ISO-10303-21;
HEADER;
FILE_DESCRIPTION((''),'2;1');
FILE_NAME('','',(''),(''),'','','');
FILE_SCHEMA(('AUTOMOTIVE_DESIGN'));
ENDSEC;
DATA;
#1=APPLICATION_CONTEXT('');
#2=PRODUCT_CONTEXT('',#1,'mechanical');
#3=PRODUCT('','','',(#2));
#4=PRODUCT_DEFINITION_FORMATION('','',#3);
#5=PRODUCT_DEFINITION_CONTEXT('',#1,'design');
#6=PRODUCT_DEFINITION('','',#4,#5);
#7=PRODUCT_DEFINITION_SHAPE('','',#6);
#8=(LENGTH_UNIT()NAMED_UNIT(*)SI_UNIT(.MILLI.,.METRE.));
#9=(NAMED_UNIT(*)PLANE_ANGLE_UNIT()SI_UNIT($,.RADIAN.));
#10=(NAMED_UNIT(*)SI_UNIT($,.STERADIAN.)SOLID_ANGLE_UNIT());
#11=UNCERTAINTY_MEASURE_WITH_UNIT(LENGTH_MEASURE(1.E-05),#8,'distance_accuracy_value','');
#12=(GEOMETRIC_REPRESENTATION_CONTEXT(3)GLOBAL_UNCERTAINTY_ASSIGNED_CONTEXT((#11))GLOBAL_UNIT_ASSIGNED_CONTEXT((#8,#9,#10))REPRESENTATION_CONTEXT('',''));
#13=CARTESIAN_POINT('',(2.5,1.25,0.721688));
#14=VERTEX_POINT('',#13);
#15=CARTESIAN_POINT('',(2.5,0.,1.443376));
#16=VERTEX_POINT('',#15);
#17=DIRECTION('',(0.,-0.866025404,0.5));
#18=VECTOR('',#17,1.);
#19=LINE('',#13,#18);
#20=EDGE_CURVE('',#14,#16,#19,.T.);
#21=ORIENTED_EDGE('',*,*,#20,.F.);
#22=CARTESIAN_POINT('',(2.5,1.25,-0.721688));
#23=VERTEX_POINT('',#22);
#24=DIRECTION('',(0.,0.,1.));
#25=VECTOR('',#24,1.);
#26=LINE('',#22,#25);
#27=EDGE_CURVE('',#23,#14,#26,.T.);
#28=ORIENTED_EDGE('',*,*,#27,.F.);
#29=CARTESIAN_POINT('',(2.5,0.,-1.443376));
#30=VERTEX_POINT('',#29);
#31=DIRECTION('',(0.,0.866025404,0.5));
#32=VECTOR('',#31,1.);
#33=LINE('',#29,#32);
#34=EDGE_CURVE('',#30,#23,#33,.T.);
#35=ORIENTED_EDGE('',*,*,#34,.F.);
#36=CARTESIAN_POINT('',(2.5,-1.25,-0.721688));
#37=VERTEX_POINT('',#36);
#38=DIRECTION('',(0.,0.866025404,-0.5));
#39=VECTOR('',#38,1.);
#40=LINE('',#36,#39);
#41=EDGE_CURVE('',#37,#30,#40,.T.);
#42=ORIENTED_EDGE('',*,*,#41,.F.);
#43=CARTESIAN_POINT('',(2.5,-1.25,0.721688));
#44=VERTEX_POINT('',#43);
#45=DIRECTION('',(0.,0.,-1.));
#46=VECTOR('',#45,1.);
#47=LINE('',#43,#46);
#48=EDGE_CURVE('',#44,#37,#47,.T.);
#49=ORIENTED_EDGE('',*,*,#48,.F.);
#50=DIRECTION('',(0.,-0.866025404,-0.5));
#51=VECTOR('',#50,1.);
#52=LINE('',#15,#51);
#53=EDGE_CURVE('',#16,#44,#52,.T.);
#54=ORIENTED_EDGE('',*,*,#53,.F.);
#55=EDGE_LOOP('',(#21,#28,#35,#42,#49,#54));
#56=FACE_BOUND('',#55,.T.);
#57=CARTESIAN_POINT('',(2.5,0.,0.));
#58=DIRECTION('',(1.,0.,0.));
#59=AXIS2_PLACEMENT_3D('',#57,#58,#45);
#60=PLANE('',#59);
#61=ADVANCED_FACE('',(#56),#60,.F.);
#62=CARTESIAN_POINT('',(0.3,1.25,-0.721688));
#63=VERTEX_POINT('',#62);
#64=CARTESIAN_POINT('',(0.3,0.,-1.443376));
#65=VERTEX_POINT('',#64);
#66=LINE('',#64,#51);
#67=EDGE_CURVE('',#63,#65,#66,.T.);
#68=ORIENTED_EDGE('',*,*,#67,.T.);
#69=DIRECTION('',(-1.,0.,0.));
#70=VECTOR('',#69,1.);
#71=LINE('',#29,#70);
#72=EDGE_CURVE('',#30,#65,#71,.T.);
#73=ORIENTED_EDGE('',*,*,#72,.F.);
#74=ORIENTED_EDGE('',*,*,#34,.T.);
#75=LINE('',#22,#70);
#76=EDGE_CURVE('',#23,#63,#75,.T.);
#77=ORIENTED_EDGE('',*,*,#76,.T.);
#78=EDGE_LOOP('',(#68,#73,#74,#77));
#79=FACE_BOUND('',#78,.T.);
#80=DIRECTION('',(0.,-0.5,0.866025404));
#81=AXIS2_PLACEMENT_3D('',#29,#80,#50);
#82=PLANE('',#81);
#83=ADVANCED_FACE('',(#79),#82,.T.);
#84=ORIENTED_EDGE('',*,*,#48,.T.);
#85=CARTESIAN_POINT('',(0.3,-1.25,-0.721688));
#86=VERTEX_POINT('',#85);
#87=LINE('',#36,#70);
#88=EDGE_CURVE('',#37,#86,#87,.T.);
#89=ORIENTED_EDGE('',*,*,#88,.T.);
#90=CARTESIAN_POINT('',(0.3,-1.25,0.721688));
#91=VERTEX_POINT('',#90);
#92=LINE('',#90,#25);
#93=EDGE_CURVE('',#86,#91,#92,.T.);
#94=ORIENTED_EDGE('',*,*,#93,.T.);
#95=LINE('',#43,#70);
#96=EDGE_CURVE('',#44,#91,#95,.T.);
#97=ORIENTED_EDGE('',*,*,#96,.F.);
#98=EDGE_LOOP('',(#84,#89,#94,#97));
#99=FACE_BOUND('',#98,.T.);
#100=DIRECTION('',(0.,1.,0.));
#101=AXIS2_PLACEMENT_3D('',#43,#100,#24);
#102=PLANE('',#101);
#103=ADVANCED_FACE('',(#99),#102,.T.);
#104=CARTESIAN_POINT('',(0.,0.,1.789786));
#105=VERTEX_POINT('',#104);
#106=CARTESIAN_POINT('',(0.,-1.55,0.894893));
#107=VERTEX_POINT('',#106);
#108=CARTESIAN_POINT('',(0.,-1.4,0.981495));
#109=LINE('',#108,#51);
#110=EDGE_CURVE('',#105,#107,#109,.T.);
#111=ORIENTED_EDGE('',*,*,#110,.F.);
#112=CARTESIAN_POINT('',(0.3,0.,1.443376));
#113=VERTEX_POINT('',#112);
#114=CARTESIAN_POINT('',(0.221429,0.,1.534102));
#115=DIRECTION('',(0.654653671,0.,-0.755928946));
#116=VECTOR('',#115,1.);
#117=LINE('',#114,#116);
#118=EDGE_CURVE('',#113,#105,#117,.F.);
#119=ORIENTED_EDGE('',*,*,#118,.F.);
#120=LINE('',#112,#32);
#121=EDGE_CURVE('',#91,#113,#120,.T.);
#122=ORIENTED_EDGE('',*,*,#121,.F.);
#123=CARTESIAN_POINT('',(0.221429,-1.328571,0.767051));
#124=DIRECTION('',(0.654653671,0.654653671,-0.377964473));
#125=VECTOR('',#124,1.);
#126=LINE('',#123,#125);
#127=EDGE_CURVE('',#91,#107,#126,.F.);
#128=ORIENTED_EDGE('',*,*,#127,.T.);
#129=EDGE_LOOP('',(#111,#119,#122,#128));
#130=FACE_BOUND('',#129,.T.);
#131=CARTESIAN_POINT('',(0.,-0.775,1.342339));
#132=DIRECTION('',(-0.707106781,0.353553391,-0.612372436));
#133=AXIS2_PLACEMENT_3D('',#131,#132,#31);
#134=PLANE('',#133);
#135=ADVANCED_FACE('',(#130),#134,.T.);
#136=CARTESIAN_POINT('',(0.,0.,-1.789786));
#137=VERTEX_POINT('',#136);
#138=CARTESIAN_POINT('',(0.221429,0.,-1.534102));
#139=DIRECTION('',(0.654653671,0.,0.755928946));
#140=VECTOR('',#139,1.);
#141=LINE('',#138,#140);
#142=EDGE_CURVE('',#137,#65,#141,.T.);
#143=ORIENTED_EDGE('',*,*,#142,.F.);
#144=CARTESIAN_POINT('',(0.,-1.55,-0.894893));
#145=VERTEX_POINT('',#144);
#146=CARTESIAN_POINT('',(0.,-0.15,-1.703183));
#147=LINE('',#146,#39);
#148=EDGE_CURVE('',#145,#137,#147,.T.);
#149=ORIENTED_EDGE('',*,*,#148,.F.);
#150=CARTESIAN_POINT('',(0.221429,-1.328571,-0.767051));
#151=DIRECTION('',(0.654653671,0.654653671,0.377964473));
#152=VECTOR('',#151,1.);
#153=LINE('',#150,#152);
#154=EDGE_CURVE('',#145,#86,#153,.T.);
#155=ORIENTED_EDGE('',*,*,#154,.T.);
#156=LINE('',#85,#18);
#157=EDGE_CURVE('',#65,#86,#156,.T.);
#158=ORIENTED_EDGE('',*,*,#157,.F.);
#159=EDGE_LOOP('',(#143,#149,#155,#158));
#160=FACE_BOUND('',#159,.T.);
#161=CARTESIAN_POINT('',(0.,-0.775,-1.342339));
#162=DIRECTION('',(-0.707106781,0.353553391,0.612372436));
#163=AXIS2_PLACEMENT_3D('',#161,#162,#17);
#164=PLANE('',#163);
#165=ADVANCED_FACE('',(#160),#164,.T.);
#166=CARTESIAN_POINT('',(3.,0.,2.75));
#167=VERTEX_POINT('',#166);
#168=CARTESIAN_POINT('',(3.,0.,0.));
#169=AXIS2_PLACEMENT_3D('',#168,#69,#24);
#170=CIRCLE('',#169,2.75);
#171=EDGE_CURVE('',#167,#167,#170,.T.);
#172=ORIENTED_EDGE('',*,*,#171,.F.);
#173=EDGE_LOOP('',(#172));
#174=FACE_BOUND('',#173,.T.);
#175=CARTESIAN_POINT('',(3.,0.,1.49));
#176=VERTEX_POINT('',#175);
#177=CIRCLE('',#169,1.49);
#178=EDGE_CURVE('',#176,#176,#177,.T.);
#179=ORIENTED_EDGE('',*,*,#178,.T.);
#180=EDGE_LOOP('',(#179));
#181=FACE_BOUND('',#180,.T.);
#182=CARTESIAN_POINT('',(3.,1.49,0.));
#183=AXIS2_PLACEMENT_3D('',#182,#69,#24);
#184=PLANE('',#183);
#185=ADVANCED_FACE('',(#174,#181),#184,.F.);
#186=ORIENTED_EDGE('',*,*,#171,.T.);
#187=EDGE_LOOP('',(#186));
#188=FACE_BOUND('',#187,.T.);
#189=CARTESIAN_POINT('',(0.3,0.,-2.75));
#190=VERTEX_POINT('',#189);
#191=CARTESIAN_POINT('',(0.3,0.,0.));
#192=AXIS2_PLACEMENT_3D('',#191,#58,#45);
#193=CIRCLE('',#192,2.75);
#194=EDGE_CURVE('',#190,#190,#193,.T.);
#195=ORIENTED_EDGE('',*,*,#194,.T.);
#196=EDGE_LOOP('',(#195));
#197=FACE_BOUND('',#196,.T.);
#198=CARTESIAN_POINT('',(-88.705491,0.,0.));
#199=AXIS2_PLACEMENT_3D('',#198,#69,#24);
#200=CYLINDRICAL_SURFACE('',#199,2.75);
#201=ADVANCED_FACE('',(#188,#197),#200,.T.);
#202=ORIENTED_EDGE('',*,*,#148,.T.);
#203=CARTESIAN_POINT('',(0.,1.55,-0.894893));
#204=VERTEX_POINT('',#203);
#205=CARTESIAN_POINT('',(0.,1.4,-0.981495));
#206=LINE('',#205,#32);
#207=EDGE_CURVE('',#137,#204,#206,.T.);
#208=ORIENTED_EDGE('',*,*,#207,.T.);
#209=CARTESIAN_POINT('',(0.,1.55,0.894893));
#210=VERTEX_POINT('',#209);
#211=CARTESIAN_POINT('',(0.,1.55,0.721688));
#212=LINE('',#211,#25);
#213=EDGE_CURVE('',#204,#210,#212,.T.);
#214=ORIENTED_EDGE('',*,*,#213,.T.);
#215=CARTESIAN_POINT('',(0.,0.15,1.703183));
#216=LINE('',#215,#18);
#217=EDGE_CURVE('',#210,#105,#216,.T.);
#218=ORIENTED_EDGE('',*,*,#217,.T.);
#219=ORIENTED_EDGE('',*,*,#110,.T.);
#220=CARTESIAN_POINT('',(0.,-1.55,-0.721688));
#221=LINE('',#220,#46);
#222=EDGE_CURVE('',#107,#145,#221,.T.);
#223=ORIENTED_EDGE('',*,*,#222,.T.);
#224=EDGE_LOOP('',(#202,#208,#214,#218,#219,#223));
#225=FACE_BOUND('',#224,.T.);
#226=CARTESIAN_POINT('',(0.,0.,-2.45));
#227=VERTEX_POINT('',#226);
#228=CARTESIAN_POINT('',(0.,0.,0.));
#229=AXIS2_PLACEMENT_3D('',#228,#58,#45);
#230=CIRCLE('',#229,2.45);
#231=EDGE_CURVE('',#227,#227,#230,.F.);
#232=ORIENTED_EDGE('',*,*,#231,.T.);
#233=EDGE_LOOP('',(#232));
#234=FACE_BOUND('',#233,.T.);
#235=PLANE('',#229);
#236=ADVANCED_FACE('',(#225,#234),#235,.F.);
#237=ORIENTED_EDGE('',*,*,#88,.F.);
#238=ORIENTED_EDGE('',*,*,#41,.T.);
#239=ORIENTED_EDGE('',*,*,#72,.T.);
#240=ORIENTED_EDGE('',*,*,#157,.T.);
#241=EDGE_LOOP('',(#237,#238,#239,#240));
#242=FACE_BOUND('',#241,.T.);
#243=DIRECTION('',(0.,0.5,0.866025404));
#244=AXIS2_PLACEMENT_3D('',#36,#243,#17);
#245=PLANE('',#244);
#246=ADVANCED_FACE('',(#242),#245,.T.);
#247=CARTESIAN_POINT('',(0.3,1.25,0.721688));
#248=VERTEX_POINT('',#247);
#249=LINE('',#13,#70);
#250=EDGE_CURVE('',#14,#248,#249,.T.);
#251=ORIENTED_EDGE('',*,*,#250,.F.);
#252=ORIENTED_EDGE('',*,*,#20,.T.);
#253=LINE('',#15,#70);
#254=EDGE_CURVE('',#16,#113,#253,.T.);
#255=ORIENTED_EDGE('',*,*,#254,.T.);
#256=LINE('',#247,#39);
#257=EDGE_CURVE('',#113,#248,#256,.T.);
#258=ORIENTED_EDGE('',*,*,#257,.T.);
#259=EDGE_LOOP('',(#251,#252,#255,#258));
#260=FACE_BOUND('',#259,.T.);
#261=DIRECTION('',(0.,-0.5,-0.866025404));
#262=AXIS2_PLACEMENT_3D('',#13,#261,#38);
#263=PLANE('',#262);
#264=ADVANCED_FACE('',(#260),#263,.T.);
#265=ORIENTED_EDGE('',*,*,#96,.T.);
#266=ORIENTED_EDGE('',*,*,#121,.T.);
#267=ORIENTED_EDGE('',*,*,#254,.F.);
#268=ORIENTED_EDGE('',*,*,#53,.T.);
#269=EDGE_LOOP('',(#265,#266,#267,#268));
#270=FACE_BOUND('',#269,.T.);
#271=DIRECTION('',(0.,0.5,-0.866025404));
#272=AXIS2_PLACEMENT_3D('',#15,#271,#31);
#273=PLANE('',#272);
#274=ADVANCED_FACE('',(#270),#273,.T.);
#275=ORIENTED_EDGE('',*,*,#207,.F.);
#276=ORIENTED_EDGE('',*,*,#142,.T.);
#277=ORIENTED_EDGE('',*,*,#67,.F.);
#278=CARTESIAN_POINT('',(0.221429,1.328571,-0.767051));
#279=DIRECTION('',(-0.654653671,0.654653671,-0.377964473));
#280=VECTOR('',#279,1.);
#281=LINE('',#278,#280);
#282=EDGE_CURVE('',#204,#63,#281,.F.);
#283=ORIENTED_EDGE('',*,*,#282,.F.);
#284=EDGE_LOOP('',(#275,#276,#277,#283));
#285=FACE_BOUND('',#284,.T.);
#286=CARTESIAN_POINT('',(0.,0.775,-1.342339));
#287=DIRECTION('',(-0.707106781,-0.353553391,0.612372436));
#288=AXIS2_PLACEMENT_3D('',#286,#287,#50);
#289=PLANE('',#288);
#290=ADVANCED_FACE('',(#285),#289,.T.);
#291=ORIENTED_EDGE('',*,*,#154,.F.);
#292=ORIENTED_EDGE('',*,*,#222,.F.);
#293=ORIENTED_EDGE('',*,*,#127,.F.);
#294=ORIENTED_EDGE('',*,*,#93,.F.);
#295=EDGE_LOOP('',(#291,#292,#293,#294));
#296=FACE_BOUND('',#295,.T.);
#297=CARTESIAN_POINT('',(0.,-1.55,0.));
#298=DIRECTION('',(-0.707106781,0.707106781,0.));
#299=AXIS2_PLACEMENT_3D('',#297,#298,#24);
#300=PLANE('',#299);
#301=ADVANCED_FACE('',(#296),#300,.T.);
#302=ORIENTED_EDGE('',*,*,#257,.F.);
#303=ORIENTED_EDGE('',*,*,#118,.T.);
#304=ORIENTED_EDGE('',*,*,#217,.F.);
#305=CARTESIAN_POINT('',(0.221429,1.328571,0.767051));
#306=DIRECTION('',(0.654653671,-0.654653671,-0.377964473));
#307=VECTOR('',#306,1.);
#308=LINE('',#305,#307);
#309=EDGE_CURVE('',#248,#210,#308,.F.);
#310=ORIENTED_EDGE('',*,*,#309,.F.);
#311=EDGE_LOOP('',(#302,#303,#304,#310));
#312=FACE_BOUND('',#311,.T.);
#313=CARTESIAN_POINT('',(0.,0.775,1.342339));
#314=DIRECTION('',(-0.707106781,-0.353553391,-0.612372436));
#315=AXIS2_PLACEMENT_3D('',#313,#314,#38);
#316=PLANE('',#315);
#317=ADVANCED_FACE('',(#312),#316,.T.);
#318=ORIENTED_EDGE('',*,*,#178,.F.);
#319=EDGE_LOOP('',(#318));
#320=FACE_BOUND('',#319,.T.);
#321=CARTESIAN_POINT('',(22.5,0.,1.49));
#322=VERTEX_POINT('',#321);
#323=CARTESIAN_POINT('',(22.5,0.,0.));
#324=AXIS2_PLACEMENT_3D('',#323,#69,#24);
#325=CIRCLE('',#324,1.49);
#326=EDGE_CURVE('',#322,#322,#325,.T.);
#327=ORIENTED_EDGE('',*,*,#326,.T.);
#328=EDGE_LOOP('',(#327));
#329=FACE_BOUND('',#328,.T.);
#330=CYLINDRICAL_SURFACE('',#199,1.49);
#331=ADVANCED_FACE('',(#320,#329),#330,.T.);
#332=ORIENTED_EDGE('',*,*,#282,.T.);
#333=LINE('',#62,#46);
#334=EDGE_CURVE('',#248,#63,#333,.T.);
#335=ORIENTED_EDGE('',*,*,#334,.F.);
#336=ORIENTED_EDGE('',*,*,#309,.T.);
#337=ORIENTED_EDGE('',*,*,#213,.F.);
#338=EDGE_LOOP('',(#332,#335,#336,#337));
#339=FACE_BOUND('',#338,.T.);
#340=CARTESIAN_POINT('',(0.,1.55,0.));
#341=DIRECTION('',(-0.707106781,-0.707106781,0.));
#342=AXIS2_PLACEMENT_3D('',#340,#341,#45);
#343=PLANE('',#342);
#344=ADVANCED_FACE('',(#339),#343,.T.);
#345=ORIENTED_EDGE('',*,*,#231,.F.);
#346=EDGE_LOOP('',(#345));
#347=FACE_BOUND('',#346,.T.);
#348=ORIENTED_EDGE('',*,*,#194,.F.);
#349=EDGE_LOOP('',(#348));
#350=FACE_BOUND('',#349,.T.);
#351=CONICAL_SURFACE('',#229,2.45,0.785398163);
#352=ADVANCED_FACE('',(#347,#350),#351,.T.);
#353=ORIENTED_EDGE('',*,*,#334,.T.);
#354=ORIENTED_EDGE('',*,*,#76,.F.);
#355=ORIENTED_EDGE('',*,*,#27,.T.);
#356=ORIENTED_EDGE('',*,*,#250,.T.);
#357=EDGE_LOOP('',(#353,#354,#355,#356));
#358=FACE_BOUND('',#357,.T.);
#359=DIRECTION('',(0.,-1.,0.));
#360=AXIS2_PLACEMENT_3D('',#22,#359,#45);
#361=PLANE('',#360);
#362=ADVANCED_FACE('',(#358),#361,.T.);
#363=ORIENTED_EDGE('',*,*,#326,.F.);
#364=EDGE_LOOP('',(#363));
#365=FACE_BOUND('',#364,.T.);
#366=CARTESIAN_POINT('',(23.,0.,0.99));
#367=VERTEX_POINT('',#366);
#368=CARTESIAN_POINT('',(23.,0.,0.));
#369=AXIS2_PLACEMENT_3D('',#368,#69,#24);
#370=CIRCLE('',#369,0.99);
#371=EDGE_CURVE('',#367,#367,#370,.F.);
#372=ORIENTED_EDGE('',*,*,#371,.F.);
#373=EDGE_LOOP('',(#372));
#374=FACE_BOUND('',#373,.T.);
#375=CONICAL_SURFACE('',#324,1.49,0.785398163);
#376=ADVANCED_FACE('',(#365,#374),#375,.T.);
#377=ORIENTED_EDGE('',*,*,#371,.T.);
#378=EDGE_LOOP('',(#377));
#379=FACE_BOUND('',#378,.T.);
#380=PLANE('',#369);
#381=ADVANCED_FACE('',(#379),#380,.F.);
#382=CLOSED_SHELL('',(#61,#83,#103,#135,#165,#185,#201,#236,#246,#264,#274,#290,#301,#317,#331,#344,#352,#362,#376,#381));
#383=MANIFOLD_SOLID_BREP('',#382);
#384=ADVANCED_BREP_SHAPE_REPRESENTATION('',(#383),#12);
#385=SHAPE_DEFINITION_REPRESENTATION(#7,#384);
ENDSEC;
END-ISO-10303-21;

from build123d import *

# Parameters (mm, degrees)
CHAMFER1_SIZE      = 0.5
CHAMFER2_SIZE      = 0.3
CUT_EXTRUDE1_DEPTH = 2.5
CHAMFER3_SIZE      = 0.3


with BuildPart() as part:
    # Sketch1 → Revolve1 (revolve)
    with BuildSketch(Plane.XY):
        Polygon((0, 0), (0, 2.75), (3, 2.75), (3, 1.49), (23, 1.49), (23, 0), align=None)
    revolve(axis=Axis((-88.705490849, 0, 0), (1, 0, 0)))

    # Chamfer1
    chamfer1_edges = [part.edges().sort_by_distance(p)[0] for p in [
        (23, -1.49, 0),
    ]]
    chamfer(chamfer1_edges, length=CHAMFER1_SIZE)

    # Chamfer2
    chamfer2_edges = [part.edges().sort_by_distance(p)[0] for p in [
        (0, -2.75, 0),
    ]]
    chamfer(chamfer2_edges, length=CHAMFER2_SIZE)

    # Sketch3 → Cut-Extrude1 (cut)
    with BuildSketch(Plane(origin=(0, 0, 0), x_dir=(0, 0, -1), z_dir=(1, 0, 0))):
        Polygon((-1.443375673, 0), (-0.721687836, -1.25), (0.721687836, -1.25), (1.443375673, 0), (0.721687836, 1.25), (-0.721687836, 1.25), align=None)
    extrude(amount=CUT_EXTRUDE1_DEPTH, mode=Mode.SUBTRACT)

    # Chamfer3
    chamfer3_edges = [part.edges().sort_by_distance(p)[0] for p in [
        (0, 0.625, 1.082531755),
        (0, -0.625, 1.082531755),
        (0, -1.25, 0),
        (0, -0.625, -1.082531755),
        (0, 0.625, -1.082531755),
        (0, 1.25, 0),
    ]]
    chamfer(chamfer3_edges, length=CHAMFER3_SIZE)


solid = part.part
